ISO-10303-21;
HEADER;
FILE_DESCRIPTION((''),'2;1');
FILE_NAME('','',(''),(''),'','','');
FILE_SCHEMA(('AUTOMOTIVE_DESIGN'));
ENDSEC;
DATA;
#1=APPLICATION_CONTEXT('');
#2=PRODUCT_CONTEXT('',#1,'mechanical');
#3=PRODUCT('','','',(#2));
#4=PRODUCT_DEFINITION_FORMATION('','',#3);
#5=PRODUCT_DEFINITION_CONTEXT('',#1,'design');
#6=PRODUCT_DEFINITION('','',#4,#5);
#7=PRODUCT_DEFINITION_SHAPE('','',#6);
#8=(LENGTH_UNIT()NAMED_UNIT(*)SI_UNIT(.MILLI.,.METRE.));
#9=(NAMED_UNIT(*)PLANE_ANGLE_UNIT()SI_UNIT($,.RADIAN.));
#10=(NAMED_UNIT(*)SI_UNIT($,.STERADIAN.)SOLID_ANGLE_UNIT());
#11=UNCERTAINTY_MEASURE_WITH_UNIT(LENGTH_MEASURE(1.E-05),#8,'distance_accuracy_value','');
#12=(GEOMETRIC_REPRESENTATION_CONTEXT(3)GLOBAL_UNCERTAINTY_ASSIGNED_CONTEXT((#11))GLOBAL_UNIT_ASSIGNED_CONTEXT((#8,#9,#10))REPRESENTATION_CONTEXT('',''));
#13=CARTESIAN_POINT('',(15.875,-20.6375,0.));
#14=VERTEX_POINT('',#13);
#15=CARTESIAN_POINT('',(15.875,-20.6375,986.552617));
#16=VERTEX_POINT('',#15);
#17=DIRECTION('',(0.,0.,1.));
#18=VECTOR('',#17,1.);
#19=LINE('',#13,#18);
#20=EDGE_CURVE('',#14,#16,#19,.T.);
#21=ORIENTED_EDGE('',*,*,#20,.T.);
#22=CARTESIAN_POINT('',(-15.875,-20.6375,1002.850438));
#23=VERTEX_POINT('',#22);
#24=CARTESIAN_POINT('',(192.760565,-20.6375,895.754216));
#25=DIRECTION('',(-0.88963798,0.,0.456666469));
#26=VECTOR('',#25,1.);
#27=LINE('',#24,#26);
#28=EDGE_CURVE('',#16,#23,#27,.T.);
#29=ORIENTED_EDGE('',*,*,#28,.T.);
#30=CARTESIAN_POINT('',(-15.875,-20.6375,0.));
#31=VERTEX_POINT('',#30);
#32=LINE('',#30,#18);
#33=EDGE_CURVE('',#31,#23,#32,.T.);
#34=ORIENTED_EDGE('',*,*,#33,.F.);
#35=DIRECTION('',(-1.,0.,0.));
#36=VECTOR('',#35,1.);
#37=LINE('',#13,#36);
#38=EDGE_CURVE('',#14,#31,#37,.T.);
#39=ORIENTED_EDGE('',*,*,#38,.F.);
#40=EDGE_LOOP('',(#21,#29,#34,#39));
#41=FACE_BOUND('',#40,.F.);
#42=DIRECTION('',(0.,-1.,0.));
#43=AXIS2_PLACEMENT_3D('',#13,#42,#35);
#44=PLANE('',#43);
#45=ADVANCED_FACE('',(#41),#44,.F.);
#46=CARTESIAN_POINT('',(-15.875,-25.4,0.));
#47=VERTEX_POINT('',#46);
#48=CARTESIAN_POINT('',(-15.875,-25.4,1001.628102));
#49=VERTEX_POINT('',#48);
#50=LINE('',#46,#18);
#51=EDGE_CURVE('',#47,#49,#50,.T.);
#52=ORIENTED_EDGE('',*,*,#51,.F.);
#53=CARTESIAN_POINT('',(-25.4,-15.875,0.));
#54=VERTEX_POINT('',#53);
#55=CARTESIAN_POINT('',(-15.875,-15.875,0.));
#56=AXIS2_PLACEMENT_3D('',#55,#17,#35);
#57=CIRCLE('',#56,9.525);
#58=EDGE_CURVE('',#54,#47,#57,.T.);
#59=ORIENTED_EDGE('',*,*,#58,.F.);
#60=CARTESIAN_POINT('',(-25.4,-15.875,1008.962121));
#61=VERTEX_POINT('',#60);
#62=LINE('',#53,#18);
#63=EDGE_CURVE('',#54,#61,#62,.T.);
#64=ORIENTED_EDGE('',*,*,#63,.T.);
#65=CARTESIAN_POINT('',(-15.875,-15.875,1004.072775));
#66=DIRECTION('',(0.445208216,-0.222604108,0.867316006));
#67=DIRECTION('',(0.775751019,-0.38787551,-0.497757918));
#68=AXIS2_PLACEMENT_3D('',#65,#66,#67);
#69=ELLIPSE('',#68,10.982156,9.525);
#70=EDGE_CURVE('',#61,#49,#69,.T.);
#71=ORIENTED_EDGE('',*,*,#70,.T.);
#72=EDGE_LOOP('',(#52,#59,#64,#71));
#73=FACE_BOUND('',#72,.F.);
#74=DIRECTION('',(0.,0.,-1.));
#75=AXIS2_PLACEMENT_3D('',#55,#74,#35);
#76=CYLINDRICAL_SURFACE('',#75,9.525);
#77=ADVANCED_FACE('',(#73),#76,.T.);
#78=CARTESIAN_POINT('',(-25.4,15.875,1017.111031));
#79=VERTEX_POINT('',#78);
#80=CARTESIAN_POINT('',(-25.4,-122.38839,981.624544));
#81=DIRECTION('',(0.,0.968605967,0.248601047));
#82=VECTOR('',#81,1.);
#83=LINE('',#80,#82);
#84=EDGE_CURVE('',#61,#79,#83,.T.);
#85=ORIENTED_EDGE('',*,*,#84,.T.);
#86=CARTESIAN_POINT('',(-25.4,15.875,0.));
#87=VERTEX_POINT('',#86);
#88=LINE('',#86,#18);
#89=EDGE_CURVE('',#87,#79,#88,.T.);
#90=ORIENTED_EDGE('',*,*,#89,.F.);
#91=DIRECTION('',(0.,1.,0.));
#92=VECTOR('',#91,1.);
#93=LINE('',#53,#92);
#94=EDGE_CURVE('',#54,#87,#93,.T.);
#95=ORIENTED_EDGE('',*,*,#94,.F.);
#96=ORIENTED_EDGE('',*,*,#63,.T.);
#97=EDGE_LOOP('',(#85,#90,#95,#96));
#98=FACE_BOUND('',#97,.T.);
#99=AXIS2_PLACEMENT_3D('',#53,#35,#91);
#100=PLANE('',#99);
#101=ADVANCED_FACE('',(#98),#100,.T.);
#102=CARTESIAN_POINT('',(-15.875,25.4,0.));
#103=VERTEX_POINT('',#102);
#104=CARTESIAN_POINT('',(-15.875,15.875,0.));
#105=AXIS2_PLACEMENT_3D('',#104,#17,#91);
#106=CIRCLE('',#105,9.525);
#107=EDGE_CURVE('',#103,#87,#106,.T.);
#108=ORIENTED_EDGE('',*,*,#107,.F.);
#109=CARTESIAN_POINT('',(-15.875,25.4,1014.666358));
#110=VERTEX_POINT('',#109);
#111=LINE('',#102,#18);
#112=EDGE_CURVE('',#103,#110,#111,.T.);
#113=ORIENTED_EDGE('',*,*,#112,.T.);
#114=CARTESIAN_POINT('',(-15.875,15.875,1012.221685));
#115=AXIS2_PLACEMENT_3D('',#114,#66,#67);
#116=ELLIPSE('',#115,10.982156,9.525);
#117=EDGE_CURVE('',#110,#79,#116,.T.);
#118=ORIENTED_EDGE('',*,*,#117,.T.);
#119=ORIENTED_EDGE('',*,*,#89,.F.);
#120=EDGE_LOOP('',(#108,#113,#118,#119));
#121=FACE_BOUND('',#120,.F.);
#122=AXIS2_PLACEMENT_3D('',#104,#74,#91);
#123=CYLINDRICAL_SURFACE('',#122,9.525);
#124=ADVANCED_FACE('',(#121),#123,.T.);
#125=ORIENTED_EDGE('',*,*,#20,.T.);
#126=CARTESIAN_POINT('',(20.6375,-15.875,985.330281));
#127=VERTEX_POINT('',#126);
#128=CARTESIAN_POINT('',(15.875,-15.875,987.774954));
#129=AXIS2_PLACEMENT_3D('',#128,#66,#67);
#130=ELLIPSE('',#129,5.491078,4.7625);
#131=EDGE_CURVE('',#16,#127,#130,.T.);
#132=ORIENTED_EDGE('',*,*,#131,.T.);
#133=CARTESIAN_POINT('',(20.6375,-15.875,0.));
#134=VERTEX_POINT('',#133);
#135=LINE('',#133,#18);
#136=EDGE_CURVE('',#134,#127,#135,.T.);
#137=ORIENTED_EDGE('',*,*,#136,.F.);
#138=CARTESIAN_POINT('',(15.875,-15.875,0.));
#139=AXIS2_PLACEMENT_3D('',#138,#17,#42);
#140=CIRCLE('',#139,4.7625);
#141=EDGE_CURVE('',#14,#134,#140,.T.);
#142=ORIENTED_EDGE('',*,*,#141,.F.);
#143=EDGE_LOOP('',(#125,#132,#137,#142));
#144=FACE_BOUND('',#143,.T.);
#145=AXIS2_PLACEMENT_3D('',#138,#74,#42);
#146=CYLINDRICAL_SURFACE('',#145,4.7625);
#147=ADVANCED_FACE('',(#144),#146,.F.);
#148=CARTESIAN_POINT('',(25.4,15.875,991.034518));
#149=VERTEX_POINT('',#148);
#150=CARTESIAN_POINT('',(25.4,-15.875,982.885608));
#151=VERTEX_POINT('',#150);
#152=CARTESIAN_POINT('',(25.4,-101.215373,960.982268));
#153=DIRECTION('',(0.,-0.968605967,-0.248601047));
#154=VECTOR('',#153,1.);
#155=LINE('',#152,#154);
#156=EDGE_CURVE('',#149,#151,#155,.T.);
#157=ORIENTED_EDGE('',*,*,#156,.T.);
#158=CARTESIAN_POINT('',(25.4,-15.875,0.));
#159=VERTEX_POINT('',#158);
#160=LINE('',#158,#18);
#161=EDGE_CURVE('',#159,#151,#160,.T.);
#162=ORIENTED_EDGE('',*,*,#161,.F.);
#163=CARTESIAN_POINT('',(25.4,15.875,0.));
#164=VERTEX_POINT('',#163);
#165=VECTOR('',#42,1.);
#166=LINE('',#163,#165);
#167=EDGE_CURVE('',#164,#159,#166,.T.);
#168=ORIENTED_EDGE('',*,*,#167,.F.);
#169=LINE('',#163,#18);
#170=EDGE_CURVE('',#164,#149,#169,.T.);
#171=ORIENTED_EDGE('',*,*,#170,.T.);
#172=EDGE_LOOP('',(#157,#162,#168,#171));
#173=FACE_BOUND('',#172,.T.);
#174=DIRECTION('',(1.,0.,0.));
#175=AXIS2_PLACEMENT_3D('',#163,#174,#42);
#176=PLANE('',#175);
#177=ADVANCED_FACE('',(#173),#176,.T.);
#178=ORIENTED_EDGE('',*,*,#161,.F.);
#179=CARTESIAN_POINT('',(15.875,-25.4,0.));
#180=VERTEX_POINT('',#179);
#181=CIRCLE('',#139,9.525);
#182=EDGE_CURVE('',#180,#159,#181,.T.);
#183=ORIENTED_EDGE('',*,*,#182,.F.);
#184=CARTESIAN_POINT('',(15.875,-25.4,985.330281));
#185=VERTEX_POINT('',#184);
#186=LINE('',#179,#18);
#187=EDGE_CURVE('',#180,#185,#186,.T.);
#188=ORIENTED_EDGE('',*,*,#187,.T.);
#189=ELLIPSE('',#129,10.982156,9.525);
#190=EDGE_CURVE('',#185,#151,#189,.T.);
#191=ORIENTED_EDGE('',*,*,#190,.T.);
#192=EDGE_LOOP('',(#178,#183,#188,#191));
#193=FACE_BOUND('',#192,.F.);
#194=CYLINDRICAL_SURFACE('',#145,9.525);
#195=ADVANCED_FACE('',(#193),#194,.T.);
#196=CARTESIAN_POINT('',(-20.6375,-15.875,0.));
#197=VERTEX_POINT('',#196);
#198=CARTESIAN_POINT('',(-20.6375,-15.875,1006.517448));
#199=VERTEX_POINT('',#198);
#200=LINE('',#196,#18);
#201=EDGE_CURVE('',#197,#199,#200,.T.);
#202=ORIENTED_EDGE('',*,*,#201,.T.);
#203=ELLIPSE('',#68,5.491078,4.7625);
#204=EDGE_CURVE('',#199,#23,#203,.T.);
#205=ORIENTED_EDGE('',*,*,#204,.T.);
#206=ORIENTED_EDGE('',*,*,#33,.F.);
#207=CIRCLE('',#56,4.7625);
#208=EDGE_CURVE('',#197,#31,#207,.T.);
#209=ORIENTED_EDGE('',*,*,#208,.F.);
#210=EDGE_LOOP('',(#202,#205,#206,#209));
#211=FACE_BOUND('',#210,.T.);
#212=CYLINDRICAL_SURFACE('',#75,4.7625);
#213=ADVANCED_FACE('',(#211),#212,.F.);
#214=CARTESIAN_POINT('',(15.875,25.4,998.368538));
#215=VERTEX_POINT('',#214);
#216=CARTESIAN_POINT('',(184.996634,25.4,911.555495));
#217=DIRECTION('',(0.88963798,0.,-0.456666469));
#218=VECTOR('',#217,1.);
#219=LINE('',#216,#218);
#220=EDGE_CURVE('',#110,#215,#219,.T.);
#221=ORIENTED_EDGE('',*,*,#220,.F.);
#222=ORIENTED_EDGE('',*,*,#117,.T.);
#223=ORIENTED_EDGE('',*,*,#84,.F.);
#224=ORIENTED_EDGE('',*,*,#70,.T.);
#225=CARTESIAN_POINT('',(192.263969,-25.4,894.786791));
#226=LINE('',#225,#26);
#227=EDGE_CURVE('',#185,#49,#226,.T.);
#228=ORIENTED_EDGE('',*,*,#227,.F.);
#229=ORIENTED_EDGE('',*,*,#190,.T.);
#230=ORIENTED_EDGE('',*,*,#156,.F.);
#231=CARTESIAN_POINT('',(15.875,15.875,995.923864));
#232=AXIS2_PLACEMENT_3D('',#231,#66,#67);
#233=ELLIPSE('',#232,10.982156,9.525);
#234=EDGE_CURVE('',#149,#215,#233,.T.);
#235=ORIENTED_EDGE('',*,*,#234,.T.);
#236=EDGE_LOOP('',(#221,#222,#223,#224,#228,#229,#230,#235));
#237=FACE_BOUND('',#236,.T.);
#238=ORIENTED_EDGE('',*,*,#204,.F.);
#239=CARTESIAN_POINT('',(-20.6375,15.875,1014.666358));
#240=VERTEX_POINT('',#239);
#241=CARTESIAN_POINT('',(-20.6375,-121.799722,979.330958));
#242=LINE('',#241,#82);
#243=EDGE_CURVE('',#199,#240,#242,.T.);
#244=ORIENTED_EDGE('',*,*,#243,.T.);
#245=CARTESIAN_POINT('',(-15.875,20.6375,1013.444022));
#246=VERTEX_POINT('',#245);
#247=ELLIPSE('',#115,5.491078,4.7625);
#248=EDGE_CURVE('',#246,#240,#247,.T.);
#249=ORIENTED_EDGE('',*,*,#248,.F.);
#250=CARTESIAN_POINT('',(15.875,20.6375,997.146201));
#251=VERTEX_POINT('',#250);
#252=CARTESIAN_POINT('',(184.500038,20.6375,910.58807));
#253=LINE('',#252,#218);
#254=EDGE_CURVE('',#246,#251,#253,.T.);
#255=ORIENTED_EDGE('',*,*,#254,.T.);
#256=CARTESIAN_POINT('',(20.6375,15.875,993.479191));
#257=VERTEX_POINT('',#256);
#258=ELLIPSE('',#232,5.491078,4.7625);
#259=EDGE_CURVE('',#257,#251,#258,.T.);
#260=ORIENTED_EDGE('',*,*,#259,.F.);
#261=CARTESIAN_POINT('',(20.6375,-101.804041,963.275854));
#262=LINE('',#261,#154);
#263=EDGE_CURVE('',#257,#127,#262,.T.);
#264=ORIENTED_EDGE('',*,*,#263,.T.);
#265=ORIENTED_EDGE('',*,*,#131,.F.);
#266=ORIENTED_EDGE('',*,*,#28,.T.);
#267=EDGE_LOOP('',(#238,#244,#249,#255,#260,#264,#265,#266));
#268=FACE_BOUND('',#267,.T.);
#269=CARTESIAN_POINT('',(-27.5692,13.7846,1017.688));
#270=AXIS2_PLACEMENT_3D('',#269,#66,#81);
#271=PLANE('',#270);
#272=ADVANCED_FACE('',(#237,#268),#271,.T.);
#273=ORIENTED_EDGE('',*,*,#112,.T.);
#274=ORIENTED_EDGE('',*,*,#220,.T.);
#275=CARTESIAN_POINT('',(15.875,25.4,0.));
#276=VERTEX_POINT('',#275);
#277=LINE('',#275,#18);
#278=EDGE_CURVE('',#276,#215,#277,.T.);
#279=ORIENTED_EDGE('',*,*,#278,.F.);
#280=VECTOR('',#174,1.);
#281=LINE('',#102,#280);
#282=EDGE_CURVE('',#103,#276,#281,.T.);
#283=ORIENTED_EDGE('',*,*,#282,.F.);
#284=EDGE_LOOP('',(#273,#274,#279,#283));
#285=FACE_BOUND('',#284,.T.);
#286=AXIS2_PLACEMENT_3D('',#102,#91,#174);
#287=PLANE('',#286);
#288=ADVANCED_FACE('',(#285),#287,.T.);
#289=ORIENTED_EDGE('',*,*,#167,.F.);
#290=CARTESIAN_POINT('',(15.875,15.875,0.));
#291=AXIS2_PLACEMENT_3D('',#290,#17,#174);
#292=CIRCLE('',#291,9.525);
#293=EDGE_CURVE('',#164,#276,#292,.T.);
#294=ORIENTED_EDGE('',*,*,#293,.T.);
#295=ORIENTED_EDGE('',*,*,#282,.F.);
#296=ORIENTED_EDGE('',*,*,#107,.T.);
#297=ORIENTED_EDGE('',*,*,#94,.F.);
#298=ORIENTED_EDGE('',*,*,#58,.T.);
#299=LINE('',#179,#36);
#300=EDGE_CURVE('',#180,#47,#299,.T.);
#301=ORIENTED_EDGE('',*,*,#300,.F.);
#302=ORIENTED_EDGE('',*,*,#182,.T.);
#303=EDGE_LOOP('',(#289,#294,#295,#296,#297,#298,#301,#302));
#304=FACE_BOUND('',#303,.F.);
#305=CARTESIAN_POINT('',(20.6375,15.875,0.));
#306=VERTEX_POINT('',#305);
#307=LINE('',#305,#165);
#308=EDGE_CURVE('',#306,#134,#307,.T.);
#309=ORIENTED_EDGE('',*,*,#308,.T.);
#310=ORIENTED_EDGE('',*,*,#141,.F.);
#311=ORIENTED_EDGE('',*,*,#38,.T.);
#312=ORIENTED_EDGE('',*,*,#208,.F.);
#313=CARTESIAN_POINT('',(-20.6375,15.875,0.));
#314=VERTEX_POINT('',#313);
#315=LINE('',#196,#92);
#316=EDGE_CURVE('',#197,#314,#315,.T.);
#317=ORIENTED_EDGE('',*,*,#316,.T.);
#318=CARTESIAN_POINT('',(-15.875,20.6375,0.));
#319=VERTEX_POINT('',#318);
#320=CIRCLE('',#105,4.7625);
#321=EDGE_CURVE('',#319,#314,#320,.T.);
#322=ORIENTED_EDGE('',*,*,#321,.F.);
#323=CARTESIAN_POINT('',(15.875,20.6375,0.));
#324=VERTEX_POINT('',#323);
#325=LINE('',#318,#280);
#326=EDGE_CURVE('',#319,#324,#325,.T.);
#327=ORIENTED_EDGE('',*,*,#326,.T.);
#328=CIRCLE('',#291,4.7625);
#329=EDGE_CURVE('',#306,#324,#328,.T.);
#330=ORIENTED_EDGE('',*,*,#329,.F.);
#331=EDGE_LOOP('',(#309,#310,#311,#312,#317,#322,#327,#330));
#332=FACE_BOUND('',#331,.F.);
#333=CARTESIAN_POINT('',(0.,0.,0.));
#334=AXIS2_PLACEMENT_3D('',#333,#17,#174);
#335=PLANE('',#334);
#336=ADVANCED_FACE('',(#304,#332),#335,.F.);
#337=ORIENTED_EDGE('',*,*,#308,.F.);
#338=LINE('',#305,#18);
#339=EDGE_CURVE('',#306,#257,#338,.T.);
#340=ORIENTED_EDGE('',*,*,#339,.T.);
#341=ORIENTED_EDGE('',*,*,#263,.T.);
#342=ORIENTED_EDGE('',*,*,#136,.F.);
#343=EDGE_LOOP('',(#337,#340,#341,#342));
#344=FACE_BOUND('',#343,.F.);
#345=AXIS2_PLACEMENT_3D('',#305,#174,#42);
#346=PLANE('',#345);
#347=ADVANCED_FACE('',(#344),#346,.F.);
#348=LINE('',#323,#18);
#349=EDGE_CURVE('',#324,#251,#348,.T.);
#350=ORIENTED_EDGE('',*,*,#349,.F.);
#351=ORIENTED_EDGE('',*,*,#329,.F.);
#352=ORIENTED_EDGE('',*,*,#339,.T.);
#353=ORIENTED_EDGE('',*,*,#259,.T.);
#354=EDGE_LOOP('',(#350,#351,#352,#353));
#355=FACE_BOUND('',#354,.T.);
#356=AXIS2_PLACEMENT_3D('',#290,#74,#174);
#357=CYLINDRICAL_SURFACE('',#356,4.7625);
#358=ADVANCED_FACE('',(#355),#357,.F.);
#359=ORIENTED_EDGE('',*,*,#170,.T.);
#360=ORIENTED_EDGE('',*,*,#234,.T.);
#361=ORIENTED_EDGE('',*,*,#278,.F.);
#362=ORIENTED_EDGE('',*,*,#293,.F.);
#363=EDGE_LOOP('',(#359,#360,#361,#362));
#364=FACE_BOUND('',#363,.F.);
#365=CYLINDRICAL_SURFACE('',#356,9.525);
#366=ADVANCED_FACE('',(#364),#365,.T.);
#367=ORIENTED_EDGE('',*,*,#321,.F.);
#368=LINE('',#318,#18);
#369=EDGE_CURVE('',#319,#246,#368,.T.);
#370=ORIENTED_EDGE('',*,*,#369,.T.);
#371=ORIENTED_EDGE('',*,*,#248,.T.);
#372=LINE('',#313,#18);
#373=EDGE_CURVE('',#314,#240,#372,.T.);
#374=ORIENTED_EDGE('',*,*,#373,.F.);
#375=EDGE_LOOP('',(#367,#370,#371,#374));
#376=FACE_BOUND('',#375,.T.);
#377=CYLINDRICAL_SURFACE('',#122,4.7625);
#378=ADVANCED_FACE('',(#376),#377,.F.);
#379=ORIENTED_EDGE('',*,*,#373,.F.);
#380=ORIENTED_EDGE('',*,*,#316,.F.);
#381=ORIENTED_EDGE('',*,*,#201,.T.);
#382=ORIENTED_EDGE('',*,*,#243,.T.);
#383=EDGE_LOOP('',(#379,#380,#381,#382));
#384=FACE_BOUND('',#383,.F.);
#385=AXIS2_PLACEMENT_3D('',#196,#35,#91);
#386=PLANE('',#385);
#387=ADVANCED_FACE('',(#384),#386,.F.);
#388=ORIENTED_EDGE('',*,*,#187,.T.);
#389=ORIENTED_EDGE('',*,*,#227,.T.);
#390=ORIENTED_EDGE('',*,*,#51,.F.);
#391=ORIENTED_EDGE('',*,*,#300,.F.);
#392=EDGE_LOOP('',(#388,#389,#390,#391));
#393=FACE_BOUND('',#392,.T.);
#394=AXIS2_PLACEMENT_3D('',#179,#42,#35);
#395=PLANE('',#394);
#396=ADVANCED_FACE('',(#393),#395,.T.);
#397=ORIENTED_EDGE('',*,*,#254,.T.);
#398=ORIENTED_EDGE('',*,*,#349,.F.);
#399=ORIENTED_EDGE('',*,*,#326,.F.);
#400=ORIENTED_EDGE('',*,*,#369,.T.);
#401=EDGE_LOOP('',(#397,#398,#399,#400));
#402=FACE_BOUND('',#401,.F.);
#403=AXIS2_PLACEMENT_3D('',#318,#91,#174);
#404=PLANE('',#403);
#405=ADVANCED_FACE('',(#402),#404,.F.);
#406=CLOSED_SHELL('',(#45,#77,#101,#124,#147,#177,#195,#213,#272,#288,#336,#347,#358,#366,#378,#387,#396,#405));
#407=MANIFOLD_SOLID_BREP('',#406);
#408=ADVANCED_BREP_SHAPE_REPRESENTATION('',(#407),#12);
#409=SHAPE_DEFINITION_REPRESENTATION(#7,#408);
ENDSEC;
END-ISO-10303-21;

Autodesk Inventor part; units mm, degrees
ref_plane "Plano inicial" through (0, 0, 0) normal (0, 0, 1) x (1, 0, 0)
ref_plane "Plano final" through (0, 0, 1019.5555) normal (0, 0, 1) x (1, 0, 0)
sketch "Esboço" plane through (0, 0, 0) normal (0, 0, 1) x (1, 0, 0)
  line L0 (-25.4, -15.875) -> (-25.4, 15.875)
  line L1 (-15.875, 25.4) -> (15.875, 25.4)
  line L2 (25.4, 15.875) -> (25.4, -15.875)
  line L3 (15.875, -25.4) -> (-15.875, -25.4)
  arc A0 (-25.4, -15.875) -> (-15.875, -25.4) centre (-15.875, -15.875) ccw
  arc A1 (-15.875, 25.4) -> (-25.4, 15.875) centre (-15.875, 15.875) ccw
  arc A2 (25.4, 15.875) -> (15.875, 25.4) centre (15.875, 15.875) ccw
  arc A3 (15.875, -25.4) -> (25.4, -15.875) centre (15.875, -15.875) ccw
  arc A4 (-15.875, 20.6375) -> (-20.6375, 15.875) centre (-15.875, 15.875) ccw
  line L4 (-15.875, 20.6375) -> (15.875, 20.6375)
  arc A5 (20.6375, 15.875) -> (15.875, 20.6375) centre (15.875, 15.875) ccw
  line L5 (20.6375, 15.875) -> (20.6375, -15.875)
  arc A6 (15.875, -20.6375) -> (20.6375, -15.875) centre (15.875, -15.875) ccw
  line L6 (15.875, -20.6375) -> (-15.875, -20.6375)
  arc A7 (-20.6375, -15.875) -> (-15.875, -20.6375) centre (-15.875, -15.875) ccw
  line L7 (-20.6375, -15.875) -> (-20.6375, 15.875)
  line L8 (0, 38.3218) -> (0, -38.3218) construction
  line L9 (-38.3218, 0) -> (38.3218, 0) construction
  dimension "d10" = 50.8
  dimension "d11" = 50.8
  dimension "d12" = 4.7625
  dimension "d15" = 25.4
  dimension "d16" = 25.4
  dimension "d17" = 9.525
extrude "Corpo" add sketch "Esboço" along normal up to surface (1019.5555 mm away) from surface at 0
sketch "Sketch3" plane through (0, 0, 0) normal (0, 0, 1) x (1, 0, 0)
  line L0 (0, 0) -> (10, 0)
ref_plane "Work Plane3" through (0, 0, 0) normal (0, -1, 0) x (1, 0, 0)
sketch "Sketch4" plane through (0, 0, 0) normal (0, -1, 0) x (1, 0, 0)
  line L0 (-2, 0) -> (12, 0)
  line L1 (-2, 1019.5555) -> (12, 1019.5555)
  dimension "d19" = 1019.5555
ref_plane "Plano de trabalho4" through (-27.5692, 13.7846, 1017.688) normal (0.4452, -0.2226, 0.8673) x (0.8939, 0.0531, -0.4452)
split "Dividir1" plane through (-27.5692, 13.7846, 1017.688) removes the side toward (0.4452, -0.2226, 0.8673)
equation "\"d10\" = G_H"
equation "\"d11\" = G_W"
equation "\"d12\" = G_T"
equation "\"d15\" = 0.5 * d10"
equation "\"d16\" = 0.5 * d11"
equation "\"d17\" = G_IR"
equation "\"d3\" = G_L"
equation "\"G_W\" = 50.8"
equation "\"G_H\" = 50.8"
equation "\"G_T\" = 4.7625"
equation "\"G_IR\" = 9.525"
equation "\"G_L\" = 1017.40763"
equation "\"G_OFFSET_START\" = 0"
equation "\"G_OFFSET_END\" = 19.55551"
equation "\"d14\" = G_OFFSET_END + B_L"
equation "\"B_L\" = 1000"
properties part number "AISC - 2 x 2 x 3/16 - 40,055" material "Aço, suave"
